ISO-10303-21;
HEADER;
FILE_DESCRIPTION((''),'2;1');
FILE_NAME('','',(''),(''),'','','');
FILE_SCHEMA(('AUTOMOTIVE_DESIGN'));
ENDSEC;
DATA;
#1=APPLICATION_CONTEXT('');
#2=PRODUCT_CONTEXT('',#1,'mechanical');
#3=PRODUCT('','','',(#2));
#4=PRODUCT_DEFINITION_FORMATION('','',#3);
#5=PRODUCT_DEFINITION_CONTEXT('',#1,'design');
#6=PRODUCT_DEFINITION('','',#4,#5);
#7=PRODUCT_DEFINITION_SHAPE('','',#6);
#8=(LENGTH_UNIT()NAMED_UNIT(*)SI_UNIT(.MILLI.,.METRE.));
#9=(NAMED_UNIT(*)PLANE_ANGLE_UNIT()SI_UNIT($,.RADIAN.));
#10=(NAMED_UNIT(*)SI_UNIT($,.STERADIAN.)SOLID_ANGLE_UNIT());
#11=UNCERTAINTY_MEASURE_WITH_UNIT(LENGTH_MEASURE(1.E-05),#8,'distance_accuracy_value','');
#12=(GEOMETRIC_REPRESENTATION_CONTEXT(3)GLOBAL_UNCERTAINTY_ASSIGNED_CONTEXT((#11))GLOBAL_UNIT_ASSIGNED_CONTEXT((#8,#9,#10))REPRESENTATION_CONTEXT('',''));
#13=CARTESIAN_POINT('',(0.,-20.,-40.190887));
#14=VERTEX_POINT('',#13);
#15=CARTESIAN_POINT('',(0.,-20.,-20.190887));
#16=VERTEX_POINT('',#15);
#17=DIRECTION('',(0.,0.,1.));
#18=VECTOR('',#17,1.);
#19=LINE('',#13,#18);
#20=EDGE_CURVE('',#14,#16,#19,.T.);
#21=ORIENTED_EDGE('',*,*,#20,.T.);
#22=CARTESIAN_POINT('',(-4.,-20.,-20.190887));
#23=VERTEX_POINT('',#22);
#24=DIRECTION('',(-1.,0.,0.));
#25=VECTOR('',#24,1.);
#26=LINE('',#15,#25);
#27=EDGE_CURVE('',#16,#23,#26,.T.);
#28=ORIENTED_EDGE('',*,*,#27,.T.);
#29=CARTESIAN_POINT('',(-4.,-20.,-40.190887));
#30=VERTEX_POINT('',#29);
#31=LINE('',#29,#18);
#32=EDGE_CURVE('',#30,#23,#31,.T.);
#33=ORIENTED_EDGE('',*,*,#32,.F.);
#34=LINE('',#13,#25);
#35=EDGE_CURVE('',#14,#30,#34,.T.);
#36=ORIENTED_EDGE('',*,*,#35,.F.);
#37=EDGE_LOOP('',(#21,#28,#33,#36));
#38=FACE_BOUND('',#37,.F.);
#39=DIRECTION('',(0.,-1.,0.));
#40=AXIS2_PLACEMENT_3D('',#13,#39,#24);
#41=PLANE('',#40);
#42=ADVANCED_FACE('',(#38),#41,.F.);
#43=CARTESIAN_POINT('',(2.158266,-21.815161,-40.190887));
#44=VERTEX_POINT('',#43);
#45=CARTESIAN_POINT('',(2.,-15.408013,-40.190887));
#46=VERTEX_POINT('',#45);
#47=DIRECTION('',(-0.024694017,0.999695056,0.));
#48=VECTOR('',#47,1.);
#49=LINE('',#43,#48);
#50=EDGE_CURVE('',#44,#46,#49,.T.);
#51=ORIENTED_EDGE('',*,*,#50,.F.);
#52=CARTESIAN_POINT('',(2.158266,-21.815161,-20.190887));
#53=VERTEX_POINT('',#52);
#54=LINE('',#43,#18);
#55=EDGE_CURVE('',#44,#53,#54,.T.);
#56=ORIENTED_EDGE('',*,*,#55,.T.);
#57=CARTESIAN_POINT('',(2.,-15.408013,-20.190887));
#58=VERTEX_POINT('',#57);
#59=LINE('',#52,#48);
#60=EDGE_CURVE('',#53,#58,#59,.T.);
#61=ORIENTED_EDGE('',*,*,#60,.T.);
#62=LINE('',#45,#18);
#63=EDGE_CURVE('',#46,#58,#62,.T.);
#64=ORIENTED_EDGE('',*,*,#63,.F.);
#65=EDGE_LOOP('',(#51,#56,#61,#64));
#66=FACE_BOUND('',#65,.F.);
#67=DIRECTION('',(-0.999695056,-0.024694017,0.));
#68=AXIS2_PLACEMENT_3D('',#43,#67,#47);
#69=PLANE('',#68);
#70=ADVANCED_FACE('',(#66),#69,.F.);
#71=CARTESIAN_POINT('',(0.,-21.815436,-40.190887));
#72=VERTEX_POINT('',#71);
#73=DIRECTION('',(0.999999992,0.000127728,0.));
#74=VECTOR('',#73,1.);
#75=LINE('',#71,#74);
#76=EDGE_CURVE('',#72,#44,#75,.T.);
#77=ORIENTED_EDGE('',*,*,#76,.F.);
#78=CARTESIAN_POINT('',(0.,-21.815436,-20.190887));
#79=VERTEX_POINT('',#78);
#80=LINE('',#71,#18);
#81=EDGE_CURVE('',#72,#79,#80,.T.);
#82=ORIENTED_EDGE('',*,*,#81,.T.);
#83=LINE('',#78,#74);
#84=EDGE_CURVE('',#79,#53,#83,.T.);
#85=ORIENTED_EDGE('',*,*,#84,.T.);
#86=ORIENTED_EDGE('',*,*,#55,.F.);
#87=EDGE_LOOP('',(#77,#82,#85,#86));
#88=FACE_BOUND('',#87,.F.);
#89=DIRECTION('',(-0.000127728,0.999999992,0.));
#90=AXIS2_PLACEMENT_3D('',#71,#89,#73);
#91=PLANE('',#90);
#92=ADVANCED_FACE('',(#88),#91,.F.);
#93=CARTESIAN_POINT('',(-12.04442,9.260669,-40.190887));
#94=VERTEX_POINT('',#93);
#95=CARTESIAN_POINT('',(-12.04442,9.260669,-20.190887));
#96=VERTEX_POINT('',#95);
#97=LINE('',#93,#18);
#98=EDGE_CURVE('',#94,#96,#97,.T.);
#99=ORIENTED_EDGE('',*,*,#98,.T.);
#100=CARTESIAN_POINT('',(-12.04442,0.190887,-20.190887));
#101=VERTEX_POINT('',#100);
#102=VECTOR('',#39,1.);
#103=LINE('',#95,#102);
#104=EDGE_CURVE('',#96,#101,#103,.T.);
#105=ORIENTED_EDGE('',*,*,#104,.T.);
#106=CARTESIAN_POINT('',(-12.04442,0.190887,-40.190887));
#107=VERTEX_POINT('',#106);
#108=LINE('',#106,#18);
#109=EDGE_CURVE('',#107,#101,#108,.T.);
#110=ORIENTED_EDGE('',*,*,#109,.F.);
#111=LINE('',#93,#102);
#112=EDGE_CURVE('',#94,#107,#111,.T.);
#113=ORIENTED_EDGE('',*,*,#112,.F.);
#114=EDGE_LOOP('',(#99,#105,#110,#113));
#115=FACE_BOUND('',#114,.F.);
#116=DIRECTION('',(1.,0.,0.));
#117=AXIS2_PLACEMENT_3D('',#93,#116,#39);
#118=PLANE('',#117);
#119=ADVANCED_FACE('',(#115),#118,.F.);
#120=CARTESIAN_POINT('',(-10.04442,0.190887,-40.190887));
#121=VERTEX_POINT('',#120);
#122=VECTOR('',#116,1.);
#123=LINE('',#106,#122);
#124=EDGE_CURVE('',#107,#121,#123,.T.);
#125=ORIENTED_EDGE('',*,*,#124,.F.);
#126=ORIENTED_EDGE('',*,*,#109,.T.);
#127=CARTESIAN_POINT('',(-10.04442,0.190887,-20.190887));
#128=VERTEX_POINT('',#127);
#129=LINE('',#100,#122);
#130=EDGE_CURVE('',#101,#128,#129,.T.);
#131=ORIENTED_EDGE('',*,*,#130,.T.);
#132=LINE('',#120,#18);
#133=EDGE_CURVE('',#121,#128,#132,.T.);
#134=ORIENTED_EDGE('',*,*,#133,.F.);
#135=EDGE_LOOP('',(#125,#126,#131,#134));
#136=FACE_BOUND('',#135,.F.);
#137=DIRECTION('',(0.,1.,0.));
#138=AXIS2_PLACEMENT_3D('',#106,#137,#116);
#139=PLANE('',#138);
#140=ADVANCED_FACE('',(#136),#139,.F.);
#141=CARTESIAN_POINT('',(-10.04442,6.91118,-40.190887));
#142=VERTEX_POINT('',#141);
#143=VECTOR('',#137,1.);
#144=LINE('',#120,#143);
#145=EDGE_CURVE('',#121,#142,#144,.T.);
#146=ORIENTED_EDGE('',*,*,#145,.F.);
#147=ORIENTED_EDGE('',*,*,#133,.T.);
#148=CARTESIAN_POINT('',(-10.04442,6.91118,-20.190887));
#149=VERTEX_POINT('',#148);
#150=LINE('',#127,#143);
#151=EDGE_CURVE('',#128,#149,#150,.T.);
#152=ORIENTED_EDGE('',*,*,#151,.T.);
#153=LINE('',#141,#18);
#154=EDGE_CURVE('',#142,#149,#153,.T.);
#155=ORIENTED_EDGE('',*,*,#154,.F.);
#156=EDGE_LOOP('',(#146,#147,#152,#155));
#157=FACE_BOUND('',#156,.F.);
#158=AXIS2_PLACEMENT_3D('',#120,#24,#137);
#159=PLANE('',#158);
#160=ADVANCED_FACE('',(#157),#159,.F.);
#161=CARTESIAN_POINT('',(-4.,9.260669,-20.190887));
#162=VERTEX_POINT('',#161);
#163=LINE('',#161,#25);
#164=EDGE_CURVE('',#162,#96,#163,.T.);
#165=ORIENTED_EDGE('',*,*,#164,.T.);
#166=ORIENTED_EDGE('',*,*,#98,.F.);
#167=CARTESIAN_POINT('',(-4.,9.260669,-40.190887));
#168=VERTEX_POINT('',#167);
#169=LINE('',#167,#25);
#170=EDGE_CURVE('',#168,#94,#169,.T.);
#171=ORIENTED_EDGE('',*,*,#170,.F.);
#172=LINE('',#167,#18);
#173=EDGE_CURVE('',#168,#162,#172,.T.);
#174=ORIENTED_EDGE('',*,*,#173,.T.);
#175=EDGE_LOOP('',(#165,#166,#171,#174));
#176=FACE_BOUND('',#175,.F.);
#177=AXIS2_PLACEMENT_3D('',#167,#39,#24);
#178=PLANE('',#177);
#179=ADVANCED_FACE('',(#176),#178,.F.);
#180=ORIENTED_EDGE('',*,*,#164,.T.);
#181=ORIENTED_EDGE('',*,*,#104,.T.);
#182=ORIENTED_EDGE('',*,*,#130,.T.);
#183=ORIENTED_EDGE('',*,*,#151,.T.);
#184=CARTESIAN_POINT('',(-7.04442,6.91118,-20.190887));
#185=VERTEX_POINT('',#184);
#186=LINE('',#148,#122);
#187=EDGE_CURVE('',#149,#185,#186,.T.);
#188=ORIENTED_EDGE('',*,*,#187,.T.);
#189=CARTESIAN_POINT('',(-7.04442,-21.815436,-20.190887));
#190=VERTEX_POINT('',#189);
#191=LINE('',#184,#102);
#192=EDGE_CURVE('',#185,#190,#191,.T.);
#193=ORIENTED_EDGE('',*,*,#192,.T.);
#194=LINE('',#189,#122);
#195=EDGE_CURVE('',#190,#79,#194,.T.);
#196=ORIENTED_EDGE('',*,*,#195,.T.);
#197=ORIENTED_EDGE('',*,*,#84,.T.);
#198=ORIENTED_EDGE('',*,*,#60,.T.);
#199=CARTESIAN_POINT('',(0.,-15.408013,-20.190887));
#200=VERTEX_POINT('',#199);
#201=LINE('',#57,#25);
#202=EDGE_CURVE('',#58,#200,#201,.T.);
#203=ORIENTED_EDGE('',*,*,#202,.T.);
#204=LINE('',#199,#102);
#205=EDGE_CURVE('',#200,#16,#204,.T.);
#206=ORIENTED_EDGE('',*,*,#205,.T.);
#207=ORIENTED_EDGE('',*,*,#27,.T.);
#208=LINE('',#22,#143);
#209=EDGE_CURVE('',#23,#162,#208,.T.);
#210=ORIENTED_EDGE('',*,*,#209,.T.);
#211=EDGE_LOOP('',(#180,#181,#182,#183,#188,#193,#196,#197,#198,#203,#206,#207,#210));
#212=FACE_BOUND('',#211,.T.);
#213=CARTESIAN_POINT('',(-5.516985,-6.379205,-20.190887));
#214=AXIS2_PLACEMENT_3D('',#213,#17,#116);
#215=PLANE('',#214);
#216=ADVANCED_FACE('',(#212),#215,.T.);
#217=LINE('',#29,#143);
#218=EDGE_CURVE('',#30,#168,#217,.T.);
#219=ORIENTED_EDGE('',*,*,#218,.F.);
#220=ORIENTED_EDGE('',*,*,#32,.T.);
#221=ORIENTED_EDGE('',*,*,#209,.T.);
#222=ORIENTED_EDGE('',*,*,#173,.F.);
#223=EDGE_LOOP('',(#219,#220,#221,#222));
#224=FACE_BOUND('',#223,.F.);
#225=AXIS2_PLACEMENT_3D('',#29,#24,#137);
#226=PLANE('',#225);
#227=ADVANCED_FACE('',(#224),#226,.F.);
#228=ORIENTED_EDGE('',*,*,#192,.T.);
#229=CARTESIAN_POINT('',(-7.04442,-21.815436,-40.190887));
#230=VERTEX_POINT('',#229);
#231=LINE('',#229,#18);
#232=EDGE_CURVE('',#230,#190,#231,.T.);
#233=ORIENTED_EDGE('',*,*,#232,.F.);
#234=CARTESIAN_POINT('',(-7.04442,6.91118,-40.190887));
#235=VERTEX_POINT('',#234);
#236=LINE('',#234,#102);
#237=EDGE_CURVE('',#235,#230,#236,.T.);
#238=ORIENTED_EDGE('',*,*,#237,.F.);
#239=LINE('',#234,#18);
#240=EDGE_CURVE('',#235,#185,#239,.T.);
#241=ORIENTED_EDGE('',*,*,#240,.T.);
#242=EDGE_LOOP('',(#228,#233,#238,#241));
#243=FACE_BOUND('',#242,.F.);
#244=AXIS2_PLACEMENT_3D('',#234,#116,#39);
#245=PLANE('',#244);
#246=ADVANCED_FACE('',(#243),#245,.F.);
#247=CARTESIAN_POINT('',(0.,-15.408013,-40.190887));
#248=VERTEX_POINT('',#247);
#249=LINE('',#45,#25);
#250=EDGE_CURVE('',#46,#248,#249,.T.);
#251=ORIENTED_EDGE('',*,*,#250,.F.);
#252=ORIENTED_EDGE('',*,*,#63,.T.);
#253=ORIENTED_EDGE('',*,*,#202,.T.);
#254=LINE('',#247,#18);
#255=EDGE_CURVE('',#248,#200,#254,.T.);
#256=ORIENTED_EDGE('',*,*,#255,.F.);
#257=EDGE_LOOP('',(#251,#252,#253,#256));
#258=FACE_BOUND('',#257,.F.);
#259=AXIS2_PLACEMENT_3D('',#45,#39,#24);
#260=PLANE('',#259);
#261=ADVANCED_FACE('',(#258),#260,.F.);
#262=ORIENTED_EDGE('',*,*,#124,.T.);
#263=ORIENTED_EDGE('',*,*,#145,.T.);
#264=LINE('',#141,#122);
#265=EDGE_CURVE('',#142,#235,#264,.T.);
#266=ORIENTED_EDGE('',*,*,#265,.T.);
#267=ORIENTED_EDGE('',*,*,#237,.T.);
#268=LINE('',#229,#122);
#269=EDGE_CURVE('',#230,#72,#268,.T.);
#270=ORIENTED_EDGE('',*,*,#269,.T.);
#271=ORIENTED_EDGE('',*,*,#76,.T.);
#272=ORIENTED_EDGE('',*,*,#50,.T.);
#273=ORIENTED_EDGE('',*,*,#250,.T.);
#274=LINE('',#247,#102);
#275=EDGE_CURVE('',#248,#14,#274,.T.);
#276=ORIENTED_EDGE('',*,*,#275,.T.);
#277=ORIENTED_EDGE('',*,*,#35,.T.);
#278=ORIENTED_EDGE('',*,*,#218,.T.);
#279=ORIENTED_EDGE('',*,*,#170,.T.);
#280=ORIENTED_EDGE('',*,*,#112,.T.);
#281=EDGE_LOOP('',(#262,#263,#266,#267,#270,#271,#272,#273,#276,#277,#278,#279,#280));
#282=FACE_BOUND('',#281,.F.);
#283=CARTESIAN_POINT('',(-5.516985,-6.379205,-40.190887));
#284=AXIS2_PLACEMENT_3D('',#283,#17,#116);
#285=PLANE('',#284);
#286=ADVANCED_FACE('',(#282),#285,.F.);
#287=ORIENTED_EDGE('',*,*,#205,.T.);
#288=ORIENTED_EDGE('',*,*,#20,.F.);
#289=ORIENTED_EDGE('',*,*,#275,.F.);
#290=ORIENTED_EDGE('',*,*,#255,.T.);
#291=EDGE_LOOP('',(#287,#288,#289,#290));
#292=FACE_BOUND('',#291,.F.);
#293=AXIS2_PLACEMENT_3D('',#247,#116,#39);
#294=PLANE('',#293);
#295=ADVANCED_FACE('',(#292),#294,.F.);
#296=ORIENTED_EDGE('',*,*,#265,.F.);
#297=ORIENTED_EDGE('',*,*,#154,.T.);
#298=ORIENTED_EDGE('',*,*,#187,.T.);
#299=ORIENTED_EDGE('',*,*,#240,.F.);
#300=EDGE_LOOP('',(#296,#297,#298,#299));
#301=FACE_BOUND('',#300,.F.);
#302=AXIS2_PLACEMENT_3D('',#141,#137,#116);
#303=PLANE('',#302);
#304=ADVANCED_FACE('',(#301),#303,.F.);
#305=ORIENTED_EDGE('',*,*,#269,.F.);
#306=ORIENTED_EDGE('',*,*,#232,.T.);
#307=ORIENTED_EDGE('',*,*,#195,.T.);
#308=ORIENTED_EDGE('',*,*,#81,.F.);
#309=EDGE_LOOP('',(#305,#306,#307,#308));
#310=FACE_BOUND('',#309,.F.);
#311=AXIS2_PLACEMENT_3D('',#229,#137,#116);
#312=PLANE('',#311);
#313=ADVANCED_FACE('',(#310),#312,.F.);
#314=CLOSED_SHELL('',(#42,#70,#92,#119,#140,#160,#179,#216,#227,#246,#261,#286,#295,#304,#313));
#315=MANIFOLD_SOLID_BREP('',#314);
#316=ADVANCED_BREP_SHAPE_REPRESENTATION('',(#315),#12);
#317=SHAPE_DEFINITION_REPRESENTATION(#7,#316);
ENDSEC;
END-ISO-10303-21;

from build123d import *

# Parameters (mm, degrees)
F1_DEPTH = 20
F2_ANGLE = -90


with BuildPart() as f1:
    # F0 (on Front) → F1 (new body)
    with BuildSketch(Plane.XZ):
        Polygon((-10.0444195345, 6.7202923819), (-7.0444195345, 6.7202923819), (-7.0444195345, -22.0063235611), (0, -22.0063235611), (2.1582664922, -22.0060478896), (2, -15.5988996848), (0, -15.5988996848), (0, -20.1908871531), (-4, -20.1908871531), (-4, 9.0697817504), (-12.0444195345, 9.0697817504), (-12.0444195345, 0), (-10.0444195345, 0), align=None)
    extrude(amount=F1_DEPTH)


with BuildPart() as f1_1:
    # F2: moved
    add(f1.part.rotate(Axis((-2, -20, -20.1908871531), (1, 0, 0)), F2_ANGLE))


solid = f1_1.part
